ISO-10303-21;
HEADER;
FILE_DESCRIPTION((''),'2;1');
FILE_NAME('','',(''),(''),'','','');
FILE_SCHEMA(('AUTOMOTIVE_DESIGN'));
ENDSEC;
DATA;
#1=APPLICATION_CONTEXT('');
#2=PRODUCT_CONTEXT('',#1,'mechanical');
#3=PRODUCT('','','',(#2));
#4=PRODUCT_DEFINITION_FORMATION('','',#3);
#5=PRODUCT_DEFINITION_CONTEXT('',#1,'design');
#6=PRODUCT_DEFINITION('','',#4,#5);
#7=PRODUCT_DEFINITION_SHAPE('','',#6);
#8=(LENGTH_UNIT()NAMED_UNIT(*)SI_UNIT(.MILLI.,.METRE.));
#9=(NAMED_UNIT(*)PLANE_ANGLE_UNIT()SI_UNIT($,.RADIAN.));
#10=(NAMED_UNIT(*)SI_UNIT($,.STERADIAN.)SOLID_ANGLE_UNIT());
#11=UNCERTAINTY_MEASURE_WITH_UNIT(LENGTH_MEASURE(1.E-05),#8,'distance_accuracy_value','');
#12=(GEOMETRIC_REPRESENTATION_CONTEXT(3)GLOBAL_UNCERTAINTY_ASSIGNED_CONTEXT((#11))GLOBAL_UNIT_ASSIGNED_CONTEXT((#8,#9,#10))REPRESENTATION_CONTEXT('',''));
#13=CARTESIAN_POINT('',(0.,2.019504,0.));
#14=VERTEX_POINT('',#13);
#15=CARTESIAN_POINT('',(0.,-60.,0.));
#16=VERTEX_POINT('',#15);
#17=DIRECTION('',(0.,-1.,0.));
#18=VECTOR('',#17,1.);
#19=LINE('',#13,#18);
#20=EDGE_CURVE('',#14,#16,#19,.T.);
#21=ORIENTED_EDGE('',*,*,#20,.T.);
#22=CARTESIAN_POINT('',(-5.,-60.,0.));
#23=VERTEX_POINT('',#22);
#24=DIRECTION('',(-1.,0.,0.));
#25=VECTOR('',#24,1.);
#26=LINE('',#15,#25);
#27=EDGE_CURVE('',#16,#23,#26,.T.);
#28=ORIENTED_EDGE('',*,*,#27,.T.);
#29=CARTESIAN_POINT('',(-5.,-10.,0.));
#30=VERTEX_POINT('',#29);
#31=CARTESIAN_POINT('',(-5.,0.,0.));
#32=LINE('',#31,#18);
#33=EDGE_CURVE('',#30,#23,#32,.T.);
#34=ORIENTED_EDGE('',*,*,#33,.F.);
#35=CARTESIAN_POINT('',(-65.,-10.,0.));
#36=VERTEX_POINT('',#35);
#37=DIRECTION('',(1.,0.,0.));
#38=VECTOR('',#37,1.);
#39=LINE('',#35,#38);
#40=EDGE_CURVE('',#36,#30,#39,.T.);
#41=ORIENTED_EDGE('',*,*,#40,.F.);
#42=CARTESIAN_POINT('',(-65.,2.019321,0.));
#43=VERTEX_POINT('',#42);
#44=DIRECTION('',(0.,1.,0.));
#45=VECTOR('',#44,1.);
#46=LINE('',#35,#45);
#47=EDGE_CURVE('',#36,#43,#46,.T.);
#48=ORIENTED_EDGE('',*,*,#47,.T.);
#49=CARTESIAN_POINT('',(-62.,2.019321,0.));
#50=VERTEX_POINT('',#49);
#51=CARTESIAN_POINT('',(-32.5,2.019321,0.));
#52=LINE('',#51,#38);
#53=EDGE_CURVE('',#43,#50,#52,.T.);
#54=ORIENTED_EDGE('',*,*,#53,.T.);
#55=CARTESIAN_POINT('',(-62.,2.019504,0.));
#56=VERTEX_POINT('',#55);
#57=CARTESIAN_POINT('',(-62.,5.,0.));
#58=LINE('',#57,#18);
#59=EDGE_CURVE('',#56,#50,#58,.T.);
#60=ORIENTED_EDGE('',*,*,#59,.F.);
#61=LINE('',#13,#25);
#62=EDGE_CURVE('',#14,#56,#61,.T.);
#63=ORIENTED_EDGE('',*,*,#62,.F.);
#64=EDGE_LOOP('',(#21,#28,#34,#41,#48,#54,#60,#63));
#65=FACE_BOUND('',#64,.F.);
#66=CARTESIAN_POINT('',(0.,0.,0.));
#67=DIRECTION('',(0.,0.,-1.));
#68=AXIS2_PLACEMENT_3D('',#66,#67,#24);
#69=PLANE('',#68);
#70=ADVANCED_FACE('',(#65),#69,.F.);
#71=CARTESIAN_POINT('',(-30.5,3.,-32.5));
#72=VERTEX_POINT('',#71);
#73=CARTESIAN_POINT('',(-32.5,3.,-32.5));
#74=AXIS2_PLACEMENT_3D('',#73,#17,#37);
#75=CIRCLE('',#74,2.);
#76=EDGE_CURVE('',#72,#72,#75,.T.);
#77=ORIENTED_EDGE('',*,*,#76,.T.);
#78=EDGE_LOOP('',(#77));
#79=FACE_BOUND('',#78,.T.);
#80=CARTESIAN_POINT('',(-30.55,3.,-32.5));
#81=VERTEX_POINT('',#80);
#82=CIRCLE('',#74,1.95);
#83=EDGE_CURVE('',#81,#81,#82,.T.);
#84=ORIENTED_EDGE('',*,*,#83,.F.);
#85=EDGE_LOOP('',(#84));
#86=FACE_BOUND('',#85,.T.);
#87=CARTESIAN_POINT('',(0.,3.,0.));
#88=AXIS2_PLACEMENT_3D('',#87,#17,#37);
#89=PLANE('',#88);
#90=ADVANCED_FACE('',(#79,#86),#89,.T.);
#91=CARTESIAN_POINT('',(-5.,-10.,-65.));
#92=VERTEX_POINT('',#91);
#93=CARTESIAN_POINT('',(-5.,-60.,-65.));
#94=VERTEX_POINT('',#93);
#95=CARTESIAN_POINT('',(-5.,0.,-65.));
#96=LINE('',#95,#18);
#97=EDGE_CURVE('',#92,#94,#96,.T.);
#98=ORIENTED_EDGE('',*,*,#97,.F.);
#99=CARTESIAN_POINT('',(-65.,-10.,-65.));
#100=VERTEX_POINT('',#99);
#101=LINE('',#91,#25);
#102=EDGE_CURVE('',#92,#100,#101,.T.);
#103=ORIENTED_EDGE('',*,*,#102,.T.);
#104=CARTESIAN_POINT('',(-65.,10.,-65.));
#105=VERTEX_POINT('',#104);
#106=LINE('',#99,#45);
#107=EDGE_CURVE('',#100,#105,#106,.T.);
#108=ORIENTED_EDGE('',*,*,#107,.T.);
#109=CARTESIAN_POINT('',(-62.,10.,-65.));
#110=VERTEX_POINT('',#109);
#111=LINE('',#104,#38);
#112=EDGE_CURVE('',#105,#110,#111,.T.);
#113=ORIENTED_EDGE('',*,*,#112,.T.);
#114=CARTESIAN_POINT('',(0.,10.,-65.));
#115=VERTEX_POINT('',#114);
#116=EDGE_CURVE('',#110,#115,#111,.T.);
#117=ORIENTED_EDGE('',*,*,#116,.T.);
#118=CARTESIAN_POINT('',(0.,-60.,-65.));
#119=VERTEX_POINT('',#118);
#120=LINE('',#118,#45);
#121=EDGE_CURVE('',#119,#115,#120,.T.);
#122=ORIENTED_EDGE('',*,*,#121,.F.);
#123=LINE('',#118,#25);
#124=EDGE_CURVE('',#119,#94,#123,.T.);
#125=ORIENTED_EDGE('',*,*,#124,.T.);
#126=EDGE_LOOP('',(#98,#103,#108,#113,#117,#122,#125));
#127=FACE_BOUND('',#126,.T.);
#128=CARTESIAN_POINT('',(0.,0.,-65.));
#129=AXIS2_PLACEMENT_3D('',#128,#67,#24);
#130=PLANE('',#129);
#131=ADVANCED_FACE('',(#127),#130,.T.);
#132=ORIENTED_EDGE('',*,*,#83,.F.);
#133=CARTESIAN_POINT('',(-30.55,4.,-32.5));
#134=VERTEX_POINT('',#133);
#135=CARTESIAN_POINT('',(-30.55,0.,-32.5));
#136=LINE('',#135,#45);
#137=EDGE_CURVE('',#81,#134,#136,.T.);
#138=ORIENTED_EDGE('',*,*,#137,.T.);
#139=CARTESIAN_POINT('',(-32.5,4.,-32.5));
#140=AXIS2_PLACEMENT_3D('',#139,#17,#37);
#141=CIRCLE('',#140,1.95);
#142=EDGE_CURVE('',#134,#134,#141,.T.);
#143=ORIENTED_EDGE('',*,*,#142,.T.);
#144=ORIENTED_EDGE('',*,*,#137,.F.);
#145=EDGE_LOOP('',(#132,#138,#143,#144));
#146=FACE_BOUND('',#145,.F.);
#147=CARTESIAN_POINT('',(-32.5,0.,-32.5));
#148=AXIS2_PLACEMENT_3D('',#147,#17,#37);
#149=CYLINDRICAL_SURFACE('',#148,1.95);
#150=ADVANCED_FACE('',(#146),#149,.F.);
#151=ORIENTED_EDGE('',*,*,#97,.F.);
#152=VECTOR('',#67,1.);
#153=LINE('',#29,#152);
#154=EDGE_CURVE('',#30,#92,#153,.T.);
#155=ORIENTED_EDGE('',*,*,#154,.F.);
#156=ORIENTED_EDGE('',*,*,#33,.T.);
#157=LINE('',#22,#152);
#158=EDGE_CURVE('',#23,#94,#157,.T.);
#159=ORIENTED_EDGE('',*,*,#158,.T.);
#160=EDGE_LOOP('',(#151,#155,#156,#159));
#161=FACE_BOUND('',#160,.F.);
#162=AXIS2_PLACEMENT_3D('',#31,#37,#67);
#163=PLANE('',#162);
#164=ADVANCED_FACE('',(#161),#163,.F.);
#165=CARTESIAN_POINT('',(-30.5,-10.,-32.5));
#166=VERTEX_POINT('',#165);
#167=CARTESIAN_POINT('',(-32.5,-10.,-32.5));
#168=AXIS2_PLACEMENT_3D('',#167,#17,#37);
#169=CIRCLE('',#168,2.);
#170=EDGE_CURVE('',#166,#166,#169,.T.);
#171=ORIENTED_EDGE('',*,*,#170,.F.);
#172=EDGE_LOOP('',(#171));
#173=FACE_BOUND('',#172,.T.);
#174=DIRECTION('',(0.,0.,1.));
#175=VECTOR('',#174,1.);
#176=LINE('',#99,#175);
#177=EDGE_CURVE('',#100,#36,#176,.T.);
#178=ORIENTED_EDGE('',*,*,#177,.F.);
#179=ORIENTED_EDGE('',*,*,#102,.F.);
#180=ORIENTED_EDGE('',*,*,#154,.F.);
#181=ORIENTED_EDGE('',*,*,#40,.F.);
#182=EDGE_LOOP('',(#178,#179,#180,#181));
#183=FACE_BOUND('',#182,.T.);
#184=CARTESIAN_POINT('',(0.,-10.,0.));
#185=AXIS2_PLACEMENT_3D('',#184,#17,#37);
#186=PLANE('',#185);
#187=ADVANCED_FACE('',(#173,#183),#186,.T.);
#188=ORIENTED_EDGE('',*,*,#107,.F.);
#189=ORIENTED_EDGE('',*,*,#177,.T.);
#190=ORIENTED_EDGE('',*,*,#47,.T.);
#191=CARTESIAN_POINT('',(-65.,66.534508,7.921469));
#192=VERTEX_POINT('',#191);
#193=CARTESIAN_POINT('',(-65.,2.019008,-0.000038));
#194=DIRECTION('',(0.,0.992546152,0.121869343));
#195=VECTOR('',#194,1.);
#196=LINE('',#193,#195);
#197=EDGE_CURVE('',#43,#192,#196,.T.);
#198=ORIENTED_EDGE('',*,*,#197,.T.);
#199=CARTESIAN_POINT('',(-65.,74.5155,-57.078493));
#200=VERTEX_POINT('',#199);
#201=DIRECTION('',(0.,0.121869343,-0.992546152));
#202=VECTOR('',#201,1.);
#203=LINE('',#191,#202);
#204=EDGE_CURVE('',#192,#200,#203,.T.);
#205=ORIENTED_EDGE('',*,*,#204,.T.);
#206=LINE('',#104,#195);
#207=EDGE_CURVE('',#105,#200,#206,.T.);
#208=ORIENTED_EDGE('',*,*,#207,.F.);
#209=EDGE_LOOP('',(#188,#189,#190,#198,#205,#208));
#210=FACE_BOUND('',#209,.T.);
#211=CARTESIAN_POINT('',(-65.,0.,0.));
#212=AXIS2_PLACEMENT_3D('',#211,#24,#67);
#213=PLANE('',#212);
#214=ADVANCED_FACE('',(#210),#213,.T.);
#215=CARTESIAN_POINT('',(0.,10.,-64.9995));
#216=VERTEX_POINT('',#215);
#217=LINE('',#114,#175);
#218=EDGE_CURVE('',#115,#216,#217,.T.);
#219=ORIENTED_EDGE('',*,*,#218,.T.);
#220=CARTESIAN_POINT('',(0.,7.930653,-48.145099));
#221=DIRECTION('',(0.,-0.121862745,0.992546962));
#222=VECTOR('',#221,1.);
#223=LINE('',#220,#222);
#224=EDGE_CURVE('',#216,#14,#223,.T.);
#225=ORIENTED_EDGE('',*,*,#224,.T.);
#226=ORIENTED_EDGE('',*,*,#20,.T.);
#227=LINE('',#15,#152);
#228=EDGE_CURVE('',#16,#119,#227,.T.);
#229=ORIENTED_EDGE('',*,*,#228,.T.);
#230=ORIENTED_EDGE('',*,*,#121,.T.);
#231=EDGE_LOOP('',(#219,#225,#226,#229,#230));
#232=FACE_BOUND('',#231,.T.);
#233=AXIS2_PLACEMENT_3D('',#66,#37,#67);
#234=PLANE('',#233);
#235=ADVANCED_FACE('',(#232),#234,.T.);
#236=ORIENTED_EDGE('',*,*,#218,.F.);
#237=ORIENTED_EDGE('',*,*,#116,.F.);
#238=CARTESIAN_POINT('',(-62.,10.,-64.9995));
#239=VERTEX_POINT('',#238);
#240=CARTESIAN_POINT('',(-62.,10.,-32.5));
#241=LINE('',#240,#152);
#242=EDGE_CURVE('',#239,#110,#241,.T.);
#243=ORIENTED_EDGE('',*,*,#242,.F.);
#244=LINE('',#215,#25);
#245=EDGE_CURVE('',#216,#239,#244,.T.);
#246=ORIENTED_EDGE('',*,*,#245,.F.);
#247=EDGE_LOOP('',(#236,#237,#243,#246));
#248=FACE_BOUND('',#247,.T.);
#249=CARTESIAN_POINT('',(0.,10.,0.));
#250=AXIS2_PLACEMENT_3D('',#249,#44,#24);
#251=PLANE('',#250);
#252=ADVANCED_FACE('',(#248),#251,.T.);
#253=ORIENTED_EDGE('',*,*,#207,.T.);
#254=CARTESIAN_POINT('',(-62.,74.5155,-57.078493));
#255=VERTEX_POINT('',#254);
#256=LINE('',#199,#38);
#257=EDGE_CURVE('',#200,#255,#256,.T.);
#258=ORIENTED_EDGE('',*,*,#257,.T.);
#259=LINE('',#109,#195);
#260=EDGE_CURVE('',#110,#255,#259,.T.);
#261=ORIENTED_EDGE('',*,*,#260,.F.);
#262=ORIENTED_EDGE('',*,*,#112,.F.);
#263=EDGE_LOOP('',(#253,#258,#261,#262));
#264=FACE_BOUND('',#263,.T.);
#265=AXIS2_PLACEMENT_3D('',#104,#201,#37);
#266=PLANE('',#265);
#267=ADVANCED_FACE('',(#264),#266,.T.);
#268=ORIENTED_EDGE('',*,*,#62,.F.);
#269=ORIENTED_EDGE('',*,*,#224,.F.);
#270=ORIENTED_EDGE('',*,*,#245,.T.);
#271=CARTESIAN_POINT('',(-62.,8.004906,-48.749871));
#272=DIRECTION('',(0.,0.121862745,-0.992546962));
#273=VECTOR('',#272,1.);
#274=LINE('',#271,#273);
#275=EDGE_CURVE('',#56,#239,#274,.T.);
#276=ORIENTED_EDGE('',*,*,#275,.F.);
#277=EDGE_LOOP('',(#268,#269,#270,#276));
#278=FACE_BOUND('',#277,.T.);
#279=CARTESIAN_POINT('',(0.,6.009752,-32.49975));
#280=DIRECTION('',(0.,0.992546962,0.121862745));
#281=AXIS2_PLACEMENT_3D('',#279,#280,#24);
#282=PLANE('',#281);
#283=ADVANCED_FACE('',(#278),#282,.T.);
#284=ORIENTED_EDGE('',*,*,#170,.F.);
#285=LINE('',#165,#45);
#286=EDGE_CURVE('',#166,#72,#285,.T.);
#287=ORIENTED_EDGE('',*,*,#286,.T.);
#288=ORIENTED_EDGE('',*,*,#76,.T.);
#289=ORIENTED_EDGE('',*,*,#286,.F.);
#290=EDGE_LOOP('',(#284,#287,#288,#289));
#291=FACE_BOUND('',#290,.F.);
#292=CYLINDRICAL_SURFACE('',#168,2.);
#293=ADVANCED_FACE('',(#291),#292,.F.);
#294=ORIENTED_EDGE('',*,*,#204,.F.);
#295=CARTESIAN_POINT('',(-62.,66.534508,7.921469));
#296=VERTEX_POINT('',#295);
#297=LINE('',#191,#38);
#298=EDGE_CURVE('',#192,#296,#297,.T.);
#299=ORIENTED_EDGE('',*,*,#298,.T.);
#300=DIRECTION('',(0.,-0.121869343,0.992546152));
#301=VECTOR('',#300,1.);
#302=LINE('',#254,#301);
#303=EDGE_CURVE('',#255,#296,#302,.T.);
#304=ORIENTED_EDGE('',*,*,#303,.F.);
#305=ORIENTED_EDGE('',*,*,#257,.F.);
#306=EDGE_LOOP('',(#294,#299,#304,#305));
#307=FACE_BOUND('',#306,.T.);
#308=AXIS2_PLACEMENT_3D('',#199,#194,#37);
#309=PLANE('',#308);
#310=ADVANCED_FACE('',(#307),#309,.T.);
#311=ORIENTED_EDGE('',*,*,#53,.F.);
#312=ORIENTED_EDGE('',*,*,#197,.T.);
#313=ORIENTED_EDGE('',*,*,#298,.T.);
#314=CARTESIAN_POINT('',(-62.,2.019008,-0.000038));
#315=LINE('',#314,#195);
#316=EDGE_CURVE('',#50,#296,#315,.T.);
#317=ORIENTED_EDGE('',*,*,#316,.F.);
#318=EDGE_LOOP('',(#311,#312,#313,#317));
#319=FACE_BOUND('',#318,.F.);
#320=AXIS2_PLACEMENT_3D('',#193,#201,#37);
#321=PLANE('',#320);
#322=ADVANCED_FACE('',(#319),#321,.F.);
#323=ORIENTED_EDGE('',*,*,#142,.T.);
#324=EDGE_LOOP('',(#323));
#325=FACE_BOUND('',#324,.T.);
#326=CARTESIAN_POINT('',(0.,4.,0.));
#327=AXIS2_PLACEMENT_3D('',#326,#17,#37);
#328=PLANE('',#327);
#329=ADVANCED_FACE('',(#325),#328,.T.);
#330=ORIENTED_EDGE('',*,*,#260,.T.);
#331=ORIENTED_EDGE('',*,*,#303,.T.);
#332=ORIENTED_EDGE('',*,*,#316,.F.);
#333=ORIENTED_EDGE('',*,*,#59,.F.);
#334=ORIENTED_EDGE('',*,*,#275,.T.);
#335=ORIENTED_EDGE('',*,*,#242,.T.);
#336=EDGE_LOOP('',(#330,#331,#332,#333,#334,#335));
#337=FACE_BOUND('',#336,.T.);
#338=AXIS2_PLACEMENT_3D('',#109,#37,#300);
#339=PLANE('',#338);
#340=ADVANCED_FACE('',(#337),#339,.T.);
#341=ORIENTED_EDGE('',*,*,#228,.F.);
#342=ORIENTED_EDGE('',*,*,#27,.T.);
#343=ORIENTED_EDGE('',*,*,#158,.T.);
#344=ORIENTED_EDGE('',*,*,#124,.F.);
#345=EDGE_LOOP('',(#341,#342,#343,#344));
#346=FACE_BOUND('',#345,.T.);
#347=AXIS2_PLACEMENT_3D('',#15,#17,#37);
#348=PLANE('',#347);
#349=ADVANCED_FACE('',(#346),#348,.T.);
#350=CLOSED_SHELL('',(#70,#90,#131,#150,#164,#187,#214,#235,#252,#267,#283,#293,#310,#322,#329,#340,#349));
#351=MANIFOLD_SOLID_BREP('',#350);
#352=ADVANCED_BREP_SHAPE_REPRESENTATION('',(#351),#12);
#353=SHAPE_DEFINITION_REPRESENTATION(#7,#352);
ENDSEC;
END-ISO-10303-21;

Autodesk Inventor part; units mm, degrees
ref_plane "YZ Plane" through (0, 0, 0) normal (1, 0, 0) x (0, 1, 0)
ref_plane "XZ Plane" through (0, 0, 0) normal (0, 1, 0) x (-1, 0, 0)
ref_plane "XY Plane" through (0, 0, 0) normal (0, 0, 1) x (1, 0, 0)
sketch "草图1" plane through (0, 0, 0) normal (0, 1, 0) x (-1, 0, 0)
  line L0 (0, 0) -> (65, 0)
  line L1 (65, 0) -> (65, -65)
  line L2 (65, -65) -> (0, -65)
  line L3 (0, -65) -> (0, 0)
  dimension "d0" = 65
  dimension "d1" = 65
extrude "拉伸1" add sketch "草图1" along normal blind 10
chamfer "倒角1" distance 65 angle 7 1 edges at (-32.5, 10, 0) measured on face at (-21.6667, 10, -43.3333)
sketch "草图2" plane through (0, 0, 0) normal (0, -1, 0) x (1, 0, 0)
  line L0 (-65, 0) -> (0, 0) projected
  line L1 (-32.5, 0) -> (-32.5, -65)
  line L2 (0, -65) -> (-65, -65) projected
  circle A0 centre (-32.5, -32.5) radius 1.95
  dimension "d7" = 3.9
extrude "拉伸2" cut sketch "草图2" against normal blind 4
sketch "草图4" plane through (0, 0, 0) normal (0, -1, 0) x (1, 0, 0)
  line L0 (0, 0) -> (0, -65) projected
  line L1 (0, -65) -> (-65, -65) projected
  line L2 (0, 0) -> (-5, 0)
  line L3 (-5, 0) -> (-5, -65)
  line L4 (-5, -65) -> (0, -65)
  line L5 (0, -65) -> (0, 0)
  dimension "d13" = 5
extrude "拉伸4" add sketch "草图4" along normal blind 60
sketch "草图5" plane through (-65, 10, -65) normal (0, 0.9925, 0.1219) x (1, 0, 0)
  line L0 (0, 0) -> (3, 0)
  line L1 (3, 0) -> (3, -35.2725)
  line L2 (3, -35.2725) -> (0, -35.2725)
  line L3 (0, -35.2725) -> (0, 0)
  line L4 (0, -65.4881) -> (65, -65.4881) projected
  line L5 (0, 0) -> (3, 0)
  line L6 (3, 0) -> (3, -65.4881)
  line L7 (3, -65.4881) -> (0, -65.4881)
  line L8 (0, -65.4881) -> (0, 0)
  point P0 (65, -65.7342)
  point P1 (0, -35.2725)
  point P2 (0, -65.4881)
  point P3 (3, -35.2725)
  dimension "d17" = 3
extrude "拉伸5" add sketch "草图5" along normal blind 65
sketch "草图6" plane through (0, 0, 0) normal (0, -1, 0) x (1, 0, 0)
  line L0 (0, -65) -> (-62, -65) projected
  line L1 (-65, 0) -> (-4.9882, 0)
  line L2 (-4.9882, 0) -> (-4.9882, -65)
  line L3 (-4.9882, -65) -> (-65, -65)
  line L4 (-65, -65) -> (-65, 0)
  point P0 (0, 0)
extrude "拉伸6" add sketch "草图6" along normal blind 10
sketch "草图8" plane through (0, -10, 0) normal (0, -1, 0) x (1, 0, 0)
  circle A0 centre (-32.5, -32.5) radius 1.95 projected
  circle A1 centre (-32.5, -32.5) radius 2
  point P0 (0, 0)
  dimension "d25" = 4
extrude "拉伸8" cut sketch "草图8" against normal blind 13 contours A0 | A1
equation "\"折弯半径\" = 厚度"
equation "\"折弯释压宽度\" = 厚度"
equation "\"折弯释压深度\" = 0.5 * 厚度"
equation "\"拐角释压尺寸\" = 4 * 厚度"
equation "\"最小余量\" = 2 * 厚度"
equation "\"过渡半径\" = 折弯半径"
equation "\"Jacobi半径尺寸\" = 折弯半径"
equation "\"间隙大小\" = 厚度"
equation "\"厚度\" = 0.5"
properties part number "_3D 打印"
